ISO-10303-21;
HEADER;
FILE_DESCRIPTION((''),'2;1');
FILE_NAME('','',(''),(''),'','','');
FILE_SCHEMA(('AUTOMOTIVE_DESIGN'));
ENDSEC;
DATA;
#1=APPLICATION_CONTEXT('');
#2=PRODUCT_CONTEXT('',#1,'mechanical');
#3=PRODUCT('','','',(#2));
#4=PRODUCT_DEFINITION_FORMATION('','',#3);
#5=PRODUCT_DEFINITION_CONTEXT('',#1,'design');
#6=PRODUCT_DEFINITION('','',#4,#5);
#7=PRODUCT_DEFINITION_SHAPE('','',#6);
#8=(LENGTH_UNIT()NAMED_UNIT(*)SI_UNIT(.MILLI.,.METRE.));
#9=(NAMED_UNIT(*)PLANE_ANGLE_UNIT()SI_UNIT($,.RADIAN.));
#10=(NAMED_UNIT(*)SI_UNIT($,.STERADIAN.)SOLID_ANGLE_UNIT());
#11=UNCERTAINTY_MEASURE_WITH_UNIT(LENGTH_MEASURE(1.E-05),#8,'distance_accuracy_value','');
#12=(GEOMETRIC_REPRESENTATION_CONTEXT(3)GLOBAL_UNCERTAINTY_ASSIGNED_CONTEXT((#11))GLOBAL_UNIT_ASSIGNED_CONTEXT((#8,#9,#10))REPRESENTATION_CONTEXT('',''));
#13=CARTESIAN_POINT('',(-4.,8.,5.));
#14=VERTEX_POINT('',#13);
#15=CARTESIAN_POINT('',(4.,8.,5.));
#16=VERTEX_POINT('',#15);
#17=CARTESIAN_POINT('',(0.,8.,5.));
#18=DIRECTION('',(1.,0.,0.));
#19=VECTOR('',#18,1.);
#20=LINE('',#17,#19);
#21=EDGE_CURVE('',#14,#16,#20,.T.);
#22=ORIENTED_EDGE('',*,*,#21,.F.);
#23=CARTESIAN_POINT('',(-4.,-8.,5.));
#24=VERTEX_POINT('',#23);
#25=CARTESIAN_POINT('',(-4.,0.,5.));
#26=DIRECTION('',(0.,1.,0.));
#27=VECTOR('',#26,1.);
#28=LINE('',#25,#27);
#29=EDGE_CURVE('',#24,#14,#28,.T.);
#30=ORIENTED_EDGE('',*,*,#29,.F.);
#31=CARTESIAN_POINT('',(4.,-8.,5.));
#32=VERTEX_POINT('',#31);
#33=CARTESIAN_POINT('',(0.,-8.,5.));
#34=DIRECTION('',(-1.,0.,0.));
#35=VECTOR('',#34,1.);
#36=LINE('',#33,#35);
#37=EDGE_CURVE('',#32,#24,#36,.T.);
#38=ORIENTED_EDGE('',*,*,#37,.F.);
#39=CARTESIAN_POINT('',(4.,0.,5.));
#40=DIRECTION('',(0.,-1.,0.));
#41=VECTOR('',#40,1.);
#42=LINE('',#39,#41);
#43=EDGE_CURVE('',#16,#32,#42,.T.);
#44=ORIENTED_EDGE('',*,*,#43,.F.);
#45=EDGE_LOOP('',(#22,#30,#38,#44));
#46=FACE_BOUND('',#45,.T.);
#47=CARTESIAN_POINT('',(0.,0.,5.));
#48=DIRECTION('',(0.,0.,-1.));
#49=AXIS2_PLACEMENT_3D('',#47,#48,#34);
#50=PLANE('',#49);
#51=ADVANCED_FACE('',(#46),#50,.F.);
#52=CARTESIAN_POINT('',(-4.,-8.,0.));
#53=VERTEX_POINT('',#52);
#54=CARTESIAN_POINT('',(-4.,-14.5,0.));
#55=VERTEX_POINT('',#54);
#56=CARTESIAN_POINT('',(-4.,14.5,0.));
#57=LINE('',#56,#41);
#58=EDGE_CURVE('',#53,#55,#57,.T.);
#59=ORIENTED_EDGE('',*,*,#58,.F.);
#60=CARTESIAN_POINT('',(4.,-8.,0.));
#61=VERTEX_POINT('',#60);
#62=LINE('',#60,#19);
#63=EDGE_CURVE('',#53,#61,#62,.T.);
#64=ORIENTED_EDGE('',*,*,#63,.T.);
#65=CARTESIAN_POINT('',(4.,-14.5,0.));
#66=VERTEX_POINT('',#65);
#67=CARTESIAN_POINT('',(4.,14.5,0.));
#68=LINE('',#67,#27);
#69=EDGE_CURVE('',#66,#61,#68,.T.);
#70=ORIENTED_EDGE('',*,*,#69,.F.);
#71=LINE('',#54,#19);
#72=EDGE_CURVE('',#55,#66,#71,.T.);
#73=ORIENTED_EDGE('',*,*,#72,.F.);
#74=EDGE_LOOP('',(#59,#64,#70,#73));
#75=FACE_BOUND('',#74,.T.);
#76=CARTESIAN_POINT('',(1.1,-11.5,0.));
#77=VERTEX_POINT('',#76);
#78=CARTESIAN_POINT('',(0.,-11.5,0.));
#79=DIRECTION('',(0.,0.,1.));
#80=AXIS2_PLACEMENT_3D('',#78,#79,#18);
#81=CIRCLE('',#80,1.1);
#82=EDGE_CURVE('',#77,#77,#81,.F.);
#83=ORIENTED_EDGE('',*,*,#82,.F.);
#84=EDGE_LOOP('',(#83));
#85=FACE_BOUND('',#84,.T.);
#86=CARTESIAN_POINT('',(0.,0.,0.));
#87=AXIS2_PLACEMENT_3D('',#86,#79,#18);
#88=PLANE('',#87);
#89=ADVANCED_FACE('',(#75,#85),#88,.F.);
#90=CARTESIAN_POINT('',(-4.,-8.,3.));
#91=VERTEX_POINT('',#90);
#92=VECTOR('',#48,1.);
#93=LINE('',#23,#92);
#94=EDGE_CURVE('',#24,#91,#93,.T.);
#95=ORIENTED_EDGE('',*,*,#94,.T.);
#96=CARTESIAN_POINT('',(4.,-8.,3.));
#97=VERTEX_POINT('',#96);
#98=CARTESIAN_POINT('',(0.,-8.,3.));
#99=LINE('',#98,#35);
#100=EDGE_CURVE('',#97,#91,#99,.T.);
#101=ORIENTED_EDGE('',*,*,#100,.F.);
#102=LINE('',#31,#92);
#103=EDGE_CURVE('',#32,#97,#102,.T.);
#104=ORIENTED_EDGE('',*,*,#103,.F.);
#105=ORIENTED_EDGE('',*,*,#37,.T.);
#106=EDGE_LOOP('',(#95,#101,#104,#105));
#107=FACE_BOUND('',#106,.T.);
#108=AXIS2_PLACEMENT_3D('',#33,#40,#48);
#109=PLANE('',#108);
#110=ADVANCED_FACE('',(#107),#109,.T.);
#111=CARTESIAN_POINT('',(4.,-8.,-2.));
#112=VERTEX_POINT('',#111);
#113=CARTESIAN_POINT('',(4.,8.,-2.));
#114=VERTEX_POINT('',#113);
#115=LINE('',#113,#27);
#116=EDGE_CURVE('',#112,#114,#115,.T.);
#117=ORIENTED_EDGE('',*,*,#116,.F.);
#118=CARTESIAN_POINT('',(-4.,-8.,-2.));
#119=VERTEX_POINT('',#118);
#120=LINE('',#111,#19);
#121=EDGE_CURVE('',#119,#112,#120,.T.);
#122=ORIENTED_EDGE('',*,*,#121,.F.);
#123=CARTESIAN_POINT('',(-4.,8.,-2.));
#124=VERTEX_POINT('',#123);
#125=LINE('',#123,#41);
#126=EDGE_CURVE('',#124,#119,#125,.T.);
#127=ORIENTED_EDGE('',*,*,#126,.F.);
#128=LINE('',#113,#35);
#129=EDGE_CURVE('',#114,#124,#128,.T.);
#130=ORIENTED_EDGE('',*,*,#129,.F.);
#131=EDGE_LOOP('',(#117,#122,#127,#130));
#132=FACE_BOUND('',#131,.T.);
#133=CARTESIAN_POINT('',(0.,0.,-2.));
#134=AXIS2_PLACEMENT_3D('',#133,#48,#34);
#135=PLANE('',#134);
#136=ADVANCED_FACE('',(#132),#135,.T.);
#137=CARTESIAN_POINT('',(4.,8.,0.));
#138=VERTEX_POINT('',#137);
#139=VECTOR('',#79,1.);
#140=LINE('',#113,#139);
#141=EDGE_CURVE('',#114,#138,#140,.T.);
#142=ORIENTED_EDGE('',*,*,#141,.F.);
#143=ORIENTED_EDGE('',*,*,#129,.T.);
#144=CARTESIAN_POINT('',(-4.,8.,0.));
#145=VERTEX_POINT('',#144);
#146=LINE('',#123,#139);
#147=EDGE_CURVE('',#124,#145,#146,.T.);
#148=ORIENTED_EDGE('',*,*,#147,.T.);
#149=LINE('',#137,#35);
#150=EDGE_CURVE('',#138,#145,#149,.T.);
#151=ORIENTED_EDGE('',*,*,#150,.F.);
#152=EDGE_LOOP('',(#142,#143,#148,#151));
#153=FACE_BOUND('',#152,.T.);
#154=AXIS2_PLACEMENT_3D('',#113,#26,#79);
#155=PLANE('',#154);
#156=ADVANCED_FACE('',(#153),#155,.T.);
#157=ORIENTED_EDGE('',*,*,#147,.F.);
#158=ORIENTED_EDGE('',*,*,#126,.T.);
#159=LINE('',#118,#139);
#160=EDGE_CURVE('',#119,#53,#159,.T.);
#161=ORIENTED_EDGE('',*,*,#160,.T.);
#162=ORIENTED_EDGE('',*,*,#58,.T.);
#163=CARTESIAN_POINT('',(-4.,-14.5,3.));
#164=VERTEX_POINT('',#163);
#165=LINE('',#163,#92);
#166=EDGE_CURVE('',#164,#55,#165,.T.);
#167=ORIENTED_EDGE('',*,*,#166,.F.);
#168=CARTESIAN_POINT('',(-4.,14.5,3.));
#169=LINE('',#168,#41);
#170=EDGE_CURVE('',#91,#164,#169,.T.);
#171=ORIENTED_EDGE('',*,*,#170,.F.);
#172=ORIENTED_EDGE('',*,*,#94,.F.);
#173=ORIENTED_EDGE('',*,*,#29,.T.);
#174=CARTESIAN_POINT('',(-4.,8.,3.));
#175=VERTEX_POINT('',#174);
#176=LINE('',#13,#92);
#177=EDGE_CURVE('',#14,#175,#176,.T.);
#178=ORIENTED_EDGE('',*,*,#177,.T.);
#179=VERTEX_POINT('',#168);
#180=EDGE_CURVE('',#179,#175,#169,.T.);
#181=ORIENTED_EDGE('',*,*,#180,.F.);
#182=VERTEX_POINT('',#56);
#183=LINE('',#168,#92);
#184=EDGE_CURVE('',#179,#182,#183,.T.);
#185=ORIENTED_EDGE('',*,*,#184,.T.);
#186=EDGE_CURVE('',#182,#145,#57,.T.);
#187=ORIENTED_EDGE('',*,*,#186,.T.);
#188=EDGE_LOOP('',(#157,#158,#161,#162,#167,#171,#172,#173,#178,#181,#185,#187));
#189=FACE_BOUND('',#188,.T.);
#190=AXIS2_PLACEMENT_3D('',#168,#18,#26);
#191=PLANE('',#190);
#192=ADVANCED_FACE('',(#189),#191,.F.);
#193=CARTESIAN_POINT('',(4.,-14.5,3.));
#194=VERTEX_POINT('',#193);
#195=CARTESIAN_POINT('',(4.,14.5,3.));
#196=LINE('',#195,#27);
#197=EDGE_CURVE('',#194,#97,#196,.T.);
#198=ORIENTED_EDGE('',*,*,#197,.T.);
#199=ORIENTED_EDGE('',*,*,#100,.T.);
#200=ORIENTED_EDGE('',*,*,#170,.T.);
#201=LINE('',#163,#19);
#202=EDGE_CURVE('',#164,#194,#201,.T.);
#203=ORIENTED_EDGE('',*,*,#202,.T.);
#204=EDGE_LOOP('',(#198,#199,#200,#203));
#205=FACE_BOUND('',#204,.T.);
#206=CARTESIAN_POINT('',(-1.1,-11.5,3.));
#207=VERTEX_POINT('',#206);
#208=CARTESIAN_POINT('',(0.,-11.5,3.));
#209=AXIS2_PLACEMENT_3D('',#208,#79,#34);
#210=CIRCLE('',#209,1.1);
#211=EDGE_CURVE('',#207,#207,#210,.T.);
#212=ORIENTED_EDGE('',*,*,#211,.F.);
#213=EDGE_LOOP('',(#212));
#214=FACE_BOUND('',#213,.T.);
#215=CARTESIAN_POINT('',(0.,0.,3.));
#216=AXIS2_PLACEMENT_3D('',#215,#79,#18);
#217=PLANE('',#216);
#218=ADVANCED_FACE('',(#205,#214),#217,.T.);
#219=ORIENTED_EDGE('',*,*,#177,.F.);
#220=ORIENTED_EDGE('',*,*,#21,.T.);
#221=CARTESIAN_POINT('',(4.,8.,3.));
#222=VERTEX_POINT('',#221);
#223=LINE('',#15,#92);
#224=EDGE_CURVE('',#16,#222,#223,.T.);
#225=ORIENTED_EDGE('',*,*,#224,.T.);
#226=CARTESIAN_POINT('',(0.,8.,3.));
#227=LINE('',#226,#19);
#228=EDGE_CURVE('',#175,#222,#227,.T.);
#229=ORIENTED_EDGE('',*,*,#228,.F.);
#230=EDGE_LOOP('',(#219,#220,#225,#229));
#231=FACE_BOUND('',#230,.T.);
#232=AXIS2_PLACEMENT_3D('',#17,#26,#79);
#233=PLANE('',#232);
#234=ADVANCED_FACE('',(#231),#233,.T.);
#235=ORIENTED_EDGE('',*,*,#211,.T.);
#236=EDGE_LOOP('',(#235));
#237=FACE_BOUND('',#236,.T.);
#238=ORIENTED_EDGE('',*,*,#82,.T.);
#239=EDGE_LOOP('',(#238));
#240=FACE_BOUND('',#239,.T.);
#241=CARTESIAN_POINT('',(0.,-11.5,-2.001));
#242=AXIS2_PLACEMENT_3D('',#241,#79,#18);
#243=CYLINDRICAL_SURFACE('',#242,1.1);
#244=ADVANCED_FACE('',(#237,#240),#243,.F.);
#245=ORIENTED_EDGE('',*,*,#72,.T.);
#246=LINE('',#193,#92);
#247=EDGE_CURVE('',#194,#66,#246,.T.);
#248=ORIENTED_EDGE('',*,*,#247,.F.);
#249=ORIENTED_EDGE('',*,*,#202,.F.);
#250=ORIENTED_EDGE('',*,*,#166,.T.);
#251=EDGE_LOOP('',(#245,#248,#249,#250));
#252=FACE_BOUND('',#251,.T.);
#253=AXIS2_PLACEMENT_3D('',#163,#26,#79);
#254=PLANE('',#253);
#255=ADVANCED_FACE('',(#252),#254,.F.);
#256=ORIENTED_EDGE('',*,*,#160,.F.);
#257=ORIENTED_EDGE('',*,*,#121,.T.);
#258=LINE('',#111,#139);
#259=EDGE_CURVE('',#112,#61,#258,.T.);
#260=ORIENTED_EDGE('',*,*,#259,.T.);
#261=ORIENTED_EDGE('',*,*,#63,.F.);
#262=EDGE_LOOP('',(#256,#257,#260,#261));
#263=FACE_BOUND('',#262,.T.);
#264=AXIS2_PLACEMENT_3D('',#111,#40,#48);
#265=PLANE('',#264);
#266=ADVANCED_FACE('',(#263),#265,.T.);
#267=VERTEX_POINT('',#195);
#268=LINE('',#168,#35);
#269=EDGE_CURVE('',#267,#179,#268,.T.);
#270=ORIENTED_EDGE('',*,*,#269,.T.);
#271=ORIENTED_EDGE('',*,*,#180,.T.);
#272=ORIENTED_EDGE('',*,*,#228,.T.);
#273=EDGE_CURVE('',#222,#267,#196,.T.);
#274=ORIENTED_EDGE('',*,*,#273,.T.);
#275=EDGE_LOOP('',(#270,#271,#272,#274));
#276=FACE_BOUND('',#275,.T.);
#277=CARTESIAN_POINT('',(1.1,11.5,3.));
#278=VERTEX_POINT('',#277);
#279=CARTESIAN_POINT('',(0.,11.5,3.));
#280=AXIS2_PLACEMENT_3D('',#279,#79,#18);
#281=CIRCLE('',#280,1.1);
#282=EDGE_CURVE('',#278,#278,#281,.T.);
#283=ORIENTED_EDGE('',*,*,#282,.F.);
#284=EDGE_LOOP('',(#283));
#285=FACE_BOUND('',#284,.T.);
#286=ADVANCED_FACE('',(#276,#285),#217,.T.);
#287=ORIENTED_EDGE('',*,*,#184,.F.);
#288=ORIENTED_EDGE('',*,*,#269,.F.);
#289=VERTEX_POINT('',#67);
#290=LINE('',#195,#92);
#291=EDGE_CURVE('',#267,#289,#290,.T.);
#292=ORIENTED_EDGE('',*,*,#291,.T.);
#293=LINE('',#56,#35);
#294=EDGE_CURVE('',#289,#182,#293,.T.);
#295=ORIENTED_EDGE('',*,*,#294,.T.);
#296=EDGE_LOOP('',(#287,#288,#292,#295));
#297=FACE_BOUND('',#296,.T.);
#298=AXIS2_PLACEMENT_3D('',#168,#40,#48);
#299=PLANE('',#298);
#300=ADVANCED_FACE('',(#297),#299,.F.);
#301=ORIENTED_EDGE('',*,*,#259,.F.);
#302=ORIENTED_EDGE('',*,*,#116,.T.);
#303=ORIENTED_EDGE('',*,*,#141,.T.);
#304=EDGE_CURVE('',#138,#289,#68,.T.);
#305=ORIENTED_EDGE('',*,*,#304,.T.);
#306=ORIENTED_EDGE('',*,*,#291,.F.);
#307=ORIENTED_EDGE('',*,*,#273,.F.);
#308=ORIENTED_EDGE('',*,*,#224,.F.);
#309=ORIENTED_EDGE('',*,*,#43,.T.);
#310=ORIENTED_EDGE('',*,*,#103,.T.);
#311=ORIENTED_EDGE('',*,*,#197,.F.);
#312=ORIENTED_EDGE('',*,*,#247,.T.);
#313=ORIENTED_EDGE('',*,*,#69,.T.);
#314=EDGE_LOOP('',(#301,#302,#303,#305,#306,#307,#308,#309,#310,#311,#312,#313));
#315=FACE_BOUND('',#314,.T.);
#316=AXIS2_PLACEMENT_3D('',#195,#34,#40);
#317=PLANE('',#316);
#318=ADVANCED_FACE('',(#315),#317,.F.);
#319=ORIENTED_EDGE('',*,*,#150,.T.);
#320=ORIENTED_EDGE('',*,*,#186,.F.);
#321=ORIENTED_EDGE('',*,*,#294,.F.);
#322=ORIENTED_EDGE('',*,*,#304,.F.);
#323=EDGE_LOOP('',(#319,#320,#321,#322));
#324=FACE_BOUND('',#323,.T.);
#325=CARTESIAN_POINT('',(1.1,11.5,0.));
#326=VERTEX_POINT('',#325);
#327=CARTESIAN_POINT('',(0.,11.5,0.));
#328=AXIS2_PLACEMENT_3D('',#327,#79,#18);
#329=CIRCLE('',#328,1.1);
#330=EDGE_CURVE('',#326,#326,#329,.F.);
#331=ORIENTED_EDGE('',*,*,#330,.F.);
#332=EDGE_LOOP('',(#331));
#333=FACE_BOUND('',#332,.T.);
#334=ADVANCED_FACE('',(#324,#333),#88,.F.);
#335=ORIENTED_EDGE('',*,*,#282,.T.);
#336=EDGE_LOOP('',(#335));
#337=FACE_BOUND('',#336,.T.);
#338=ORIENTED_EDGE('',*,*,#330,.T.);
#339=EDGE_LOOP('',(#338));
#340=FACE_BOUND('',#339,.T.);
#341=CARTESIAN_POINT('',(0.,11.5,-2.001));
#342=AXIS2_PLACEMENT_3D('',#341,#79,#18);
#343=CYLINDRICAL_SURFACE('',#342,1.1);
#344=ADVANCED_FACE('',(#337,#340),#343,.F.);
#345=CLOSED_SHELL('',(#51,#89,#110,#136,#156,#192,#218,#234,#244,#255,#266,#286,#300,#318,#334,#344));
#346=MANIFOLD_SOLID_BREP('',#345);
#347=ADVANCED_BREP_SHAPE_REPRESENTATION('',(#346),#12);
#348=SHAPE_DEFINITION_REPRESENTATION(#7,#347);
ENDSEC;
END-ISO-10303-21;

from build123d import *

# Parameters (mm, degrees)
SKETCH_1_W            = 8
SKETCH_1_H            = 29
EXTRUDE_272_DEPTH     = 3
SKETCH_2_W            = 8
SKETCH_2_H            = 16
EXTRUDE_392_DEPTH     = 2
EXTRUDE_START         = 3
SKETCH_2_2_W          = 8
SKETCH_2_2_H          = 16
EXTRUDE_443_DEPTH     = 2
CUT_EXTRUDE_679_REACH = 17.851
SKETCH_3_R            = 1.1


with BuildPart() as part:
    # 草图1 → Extrude 272 (new body)
    with BuildSketch(Plane.XY):
        Rectangle(SKETCH_1_W, SKETCH_1_H)
    extrude(amount=EXTRUDE_272_DEPTH)

    # 草图2 → Extrude 392 (add)
    with BuildSketch(Plane.XY):
        Rectangle(SKETCH_2_W, SKETCH_2_H)
    extrude(amount=-EXTRUDE_392_DEPTH)

    # 草图2<2> → Extrude 443 (add)
    with BuildSketch(Plane.XY.offset(EXTRUDE_START)):
        Rectangle(SKETCH_2_2_W, SKETCH_2_2_H)
    extrude(amount=EXTRUDE_443_DEPTH)

    # 草图3 → Cut-Extrude 679 (cut, up to next)
    with BuildSketch(Plane.XY.offset(3), mode=Mode.PRIVATE) as cut_extrude_679_sk1:
        with Locations((0, 11.5)):
            Circle(SKETCH_3_R)
    cut_extrude_679_tool1 = extrude(cut_extrude_679_sk1.sketch, amount=-CUT_EXTRUDE_679_REACH, mode=Mode.PRIVATE) & part.part
    # 草图3 → Cut-Extrude 679 (cut, up to next)
    with BuildSketch(Plane.XY.offset(3), mode=Mode.PRIVATE) as cut_extrude_679_sk2:
        with Locations((0, -11.5)):
            Circle(SKETCH_3_R)
    cut_extrude_679_tool2 = extrude(cut_extrude_679_sk2.sketch, amount=-CUT_EXTRUDE_679_REACH, mode=Mode.PRIVATE) & part.part
    add(cut_extrude_679_tool1.solids().sort_by_distance((0, 11.5, 3))[0], mode=Mode.SUBTRACT)
    add(cut_extrude_679_tool2.solids().sort_by_distance((0, -11.5, 3))[0], mode=Mode.SUBTRACT)


solid = part.part
